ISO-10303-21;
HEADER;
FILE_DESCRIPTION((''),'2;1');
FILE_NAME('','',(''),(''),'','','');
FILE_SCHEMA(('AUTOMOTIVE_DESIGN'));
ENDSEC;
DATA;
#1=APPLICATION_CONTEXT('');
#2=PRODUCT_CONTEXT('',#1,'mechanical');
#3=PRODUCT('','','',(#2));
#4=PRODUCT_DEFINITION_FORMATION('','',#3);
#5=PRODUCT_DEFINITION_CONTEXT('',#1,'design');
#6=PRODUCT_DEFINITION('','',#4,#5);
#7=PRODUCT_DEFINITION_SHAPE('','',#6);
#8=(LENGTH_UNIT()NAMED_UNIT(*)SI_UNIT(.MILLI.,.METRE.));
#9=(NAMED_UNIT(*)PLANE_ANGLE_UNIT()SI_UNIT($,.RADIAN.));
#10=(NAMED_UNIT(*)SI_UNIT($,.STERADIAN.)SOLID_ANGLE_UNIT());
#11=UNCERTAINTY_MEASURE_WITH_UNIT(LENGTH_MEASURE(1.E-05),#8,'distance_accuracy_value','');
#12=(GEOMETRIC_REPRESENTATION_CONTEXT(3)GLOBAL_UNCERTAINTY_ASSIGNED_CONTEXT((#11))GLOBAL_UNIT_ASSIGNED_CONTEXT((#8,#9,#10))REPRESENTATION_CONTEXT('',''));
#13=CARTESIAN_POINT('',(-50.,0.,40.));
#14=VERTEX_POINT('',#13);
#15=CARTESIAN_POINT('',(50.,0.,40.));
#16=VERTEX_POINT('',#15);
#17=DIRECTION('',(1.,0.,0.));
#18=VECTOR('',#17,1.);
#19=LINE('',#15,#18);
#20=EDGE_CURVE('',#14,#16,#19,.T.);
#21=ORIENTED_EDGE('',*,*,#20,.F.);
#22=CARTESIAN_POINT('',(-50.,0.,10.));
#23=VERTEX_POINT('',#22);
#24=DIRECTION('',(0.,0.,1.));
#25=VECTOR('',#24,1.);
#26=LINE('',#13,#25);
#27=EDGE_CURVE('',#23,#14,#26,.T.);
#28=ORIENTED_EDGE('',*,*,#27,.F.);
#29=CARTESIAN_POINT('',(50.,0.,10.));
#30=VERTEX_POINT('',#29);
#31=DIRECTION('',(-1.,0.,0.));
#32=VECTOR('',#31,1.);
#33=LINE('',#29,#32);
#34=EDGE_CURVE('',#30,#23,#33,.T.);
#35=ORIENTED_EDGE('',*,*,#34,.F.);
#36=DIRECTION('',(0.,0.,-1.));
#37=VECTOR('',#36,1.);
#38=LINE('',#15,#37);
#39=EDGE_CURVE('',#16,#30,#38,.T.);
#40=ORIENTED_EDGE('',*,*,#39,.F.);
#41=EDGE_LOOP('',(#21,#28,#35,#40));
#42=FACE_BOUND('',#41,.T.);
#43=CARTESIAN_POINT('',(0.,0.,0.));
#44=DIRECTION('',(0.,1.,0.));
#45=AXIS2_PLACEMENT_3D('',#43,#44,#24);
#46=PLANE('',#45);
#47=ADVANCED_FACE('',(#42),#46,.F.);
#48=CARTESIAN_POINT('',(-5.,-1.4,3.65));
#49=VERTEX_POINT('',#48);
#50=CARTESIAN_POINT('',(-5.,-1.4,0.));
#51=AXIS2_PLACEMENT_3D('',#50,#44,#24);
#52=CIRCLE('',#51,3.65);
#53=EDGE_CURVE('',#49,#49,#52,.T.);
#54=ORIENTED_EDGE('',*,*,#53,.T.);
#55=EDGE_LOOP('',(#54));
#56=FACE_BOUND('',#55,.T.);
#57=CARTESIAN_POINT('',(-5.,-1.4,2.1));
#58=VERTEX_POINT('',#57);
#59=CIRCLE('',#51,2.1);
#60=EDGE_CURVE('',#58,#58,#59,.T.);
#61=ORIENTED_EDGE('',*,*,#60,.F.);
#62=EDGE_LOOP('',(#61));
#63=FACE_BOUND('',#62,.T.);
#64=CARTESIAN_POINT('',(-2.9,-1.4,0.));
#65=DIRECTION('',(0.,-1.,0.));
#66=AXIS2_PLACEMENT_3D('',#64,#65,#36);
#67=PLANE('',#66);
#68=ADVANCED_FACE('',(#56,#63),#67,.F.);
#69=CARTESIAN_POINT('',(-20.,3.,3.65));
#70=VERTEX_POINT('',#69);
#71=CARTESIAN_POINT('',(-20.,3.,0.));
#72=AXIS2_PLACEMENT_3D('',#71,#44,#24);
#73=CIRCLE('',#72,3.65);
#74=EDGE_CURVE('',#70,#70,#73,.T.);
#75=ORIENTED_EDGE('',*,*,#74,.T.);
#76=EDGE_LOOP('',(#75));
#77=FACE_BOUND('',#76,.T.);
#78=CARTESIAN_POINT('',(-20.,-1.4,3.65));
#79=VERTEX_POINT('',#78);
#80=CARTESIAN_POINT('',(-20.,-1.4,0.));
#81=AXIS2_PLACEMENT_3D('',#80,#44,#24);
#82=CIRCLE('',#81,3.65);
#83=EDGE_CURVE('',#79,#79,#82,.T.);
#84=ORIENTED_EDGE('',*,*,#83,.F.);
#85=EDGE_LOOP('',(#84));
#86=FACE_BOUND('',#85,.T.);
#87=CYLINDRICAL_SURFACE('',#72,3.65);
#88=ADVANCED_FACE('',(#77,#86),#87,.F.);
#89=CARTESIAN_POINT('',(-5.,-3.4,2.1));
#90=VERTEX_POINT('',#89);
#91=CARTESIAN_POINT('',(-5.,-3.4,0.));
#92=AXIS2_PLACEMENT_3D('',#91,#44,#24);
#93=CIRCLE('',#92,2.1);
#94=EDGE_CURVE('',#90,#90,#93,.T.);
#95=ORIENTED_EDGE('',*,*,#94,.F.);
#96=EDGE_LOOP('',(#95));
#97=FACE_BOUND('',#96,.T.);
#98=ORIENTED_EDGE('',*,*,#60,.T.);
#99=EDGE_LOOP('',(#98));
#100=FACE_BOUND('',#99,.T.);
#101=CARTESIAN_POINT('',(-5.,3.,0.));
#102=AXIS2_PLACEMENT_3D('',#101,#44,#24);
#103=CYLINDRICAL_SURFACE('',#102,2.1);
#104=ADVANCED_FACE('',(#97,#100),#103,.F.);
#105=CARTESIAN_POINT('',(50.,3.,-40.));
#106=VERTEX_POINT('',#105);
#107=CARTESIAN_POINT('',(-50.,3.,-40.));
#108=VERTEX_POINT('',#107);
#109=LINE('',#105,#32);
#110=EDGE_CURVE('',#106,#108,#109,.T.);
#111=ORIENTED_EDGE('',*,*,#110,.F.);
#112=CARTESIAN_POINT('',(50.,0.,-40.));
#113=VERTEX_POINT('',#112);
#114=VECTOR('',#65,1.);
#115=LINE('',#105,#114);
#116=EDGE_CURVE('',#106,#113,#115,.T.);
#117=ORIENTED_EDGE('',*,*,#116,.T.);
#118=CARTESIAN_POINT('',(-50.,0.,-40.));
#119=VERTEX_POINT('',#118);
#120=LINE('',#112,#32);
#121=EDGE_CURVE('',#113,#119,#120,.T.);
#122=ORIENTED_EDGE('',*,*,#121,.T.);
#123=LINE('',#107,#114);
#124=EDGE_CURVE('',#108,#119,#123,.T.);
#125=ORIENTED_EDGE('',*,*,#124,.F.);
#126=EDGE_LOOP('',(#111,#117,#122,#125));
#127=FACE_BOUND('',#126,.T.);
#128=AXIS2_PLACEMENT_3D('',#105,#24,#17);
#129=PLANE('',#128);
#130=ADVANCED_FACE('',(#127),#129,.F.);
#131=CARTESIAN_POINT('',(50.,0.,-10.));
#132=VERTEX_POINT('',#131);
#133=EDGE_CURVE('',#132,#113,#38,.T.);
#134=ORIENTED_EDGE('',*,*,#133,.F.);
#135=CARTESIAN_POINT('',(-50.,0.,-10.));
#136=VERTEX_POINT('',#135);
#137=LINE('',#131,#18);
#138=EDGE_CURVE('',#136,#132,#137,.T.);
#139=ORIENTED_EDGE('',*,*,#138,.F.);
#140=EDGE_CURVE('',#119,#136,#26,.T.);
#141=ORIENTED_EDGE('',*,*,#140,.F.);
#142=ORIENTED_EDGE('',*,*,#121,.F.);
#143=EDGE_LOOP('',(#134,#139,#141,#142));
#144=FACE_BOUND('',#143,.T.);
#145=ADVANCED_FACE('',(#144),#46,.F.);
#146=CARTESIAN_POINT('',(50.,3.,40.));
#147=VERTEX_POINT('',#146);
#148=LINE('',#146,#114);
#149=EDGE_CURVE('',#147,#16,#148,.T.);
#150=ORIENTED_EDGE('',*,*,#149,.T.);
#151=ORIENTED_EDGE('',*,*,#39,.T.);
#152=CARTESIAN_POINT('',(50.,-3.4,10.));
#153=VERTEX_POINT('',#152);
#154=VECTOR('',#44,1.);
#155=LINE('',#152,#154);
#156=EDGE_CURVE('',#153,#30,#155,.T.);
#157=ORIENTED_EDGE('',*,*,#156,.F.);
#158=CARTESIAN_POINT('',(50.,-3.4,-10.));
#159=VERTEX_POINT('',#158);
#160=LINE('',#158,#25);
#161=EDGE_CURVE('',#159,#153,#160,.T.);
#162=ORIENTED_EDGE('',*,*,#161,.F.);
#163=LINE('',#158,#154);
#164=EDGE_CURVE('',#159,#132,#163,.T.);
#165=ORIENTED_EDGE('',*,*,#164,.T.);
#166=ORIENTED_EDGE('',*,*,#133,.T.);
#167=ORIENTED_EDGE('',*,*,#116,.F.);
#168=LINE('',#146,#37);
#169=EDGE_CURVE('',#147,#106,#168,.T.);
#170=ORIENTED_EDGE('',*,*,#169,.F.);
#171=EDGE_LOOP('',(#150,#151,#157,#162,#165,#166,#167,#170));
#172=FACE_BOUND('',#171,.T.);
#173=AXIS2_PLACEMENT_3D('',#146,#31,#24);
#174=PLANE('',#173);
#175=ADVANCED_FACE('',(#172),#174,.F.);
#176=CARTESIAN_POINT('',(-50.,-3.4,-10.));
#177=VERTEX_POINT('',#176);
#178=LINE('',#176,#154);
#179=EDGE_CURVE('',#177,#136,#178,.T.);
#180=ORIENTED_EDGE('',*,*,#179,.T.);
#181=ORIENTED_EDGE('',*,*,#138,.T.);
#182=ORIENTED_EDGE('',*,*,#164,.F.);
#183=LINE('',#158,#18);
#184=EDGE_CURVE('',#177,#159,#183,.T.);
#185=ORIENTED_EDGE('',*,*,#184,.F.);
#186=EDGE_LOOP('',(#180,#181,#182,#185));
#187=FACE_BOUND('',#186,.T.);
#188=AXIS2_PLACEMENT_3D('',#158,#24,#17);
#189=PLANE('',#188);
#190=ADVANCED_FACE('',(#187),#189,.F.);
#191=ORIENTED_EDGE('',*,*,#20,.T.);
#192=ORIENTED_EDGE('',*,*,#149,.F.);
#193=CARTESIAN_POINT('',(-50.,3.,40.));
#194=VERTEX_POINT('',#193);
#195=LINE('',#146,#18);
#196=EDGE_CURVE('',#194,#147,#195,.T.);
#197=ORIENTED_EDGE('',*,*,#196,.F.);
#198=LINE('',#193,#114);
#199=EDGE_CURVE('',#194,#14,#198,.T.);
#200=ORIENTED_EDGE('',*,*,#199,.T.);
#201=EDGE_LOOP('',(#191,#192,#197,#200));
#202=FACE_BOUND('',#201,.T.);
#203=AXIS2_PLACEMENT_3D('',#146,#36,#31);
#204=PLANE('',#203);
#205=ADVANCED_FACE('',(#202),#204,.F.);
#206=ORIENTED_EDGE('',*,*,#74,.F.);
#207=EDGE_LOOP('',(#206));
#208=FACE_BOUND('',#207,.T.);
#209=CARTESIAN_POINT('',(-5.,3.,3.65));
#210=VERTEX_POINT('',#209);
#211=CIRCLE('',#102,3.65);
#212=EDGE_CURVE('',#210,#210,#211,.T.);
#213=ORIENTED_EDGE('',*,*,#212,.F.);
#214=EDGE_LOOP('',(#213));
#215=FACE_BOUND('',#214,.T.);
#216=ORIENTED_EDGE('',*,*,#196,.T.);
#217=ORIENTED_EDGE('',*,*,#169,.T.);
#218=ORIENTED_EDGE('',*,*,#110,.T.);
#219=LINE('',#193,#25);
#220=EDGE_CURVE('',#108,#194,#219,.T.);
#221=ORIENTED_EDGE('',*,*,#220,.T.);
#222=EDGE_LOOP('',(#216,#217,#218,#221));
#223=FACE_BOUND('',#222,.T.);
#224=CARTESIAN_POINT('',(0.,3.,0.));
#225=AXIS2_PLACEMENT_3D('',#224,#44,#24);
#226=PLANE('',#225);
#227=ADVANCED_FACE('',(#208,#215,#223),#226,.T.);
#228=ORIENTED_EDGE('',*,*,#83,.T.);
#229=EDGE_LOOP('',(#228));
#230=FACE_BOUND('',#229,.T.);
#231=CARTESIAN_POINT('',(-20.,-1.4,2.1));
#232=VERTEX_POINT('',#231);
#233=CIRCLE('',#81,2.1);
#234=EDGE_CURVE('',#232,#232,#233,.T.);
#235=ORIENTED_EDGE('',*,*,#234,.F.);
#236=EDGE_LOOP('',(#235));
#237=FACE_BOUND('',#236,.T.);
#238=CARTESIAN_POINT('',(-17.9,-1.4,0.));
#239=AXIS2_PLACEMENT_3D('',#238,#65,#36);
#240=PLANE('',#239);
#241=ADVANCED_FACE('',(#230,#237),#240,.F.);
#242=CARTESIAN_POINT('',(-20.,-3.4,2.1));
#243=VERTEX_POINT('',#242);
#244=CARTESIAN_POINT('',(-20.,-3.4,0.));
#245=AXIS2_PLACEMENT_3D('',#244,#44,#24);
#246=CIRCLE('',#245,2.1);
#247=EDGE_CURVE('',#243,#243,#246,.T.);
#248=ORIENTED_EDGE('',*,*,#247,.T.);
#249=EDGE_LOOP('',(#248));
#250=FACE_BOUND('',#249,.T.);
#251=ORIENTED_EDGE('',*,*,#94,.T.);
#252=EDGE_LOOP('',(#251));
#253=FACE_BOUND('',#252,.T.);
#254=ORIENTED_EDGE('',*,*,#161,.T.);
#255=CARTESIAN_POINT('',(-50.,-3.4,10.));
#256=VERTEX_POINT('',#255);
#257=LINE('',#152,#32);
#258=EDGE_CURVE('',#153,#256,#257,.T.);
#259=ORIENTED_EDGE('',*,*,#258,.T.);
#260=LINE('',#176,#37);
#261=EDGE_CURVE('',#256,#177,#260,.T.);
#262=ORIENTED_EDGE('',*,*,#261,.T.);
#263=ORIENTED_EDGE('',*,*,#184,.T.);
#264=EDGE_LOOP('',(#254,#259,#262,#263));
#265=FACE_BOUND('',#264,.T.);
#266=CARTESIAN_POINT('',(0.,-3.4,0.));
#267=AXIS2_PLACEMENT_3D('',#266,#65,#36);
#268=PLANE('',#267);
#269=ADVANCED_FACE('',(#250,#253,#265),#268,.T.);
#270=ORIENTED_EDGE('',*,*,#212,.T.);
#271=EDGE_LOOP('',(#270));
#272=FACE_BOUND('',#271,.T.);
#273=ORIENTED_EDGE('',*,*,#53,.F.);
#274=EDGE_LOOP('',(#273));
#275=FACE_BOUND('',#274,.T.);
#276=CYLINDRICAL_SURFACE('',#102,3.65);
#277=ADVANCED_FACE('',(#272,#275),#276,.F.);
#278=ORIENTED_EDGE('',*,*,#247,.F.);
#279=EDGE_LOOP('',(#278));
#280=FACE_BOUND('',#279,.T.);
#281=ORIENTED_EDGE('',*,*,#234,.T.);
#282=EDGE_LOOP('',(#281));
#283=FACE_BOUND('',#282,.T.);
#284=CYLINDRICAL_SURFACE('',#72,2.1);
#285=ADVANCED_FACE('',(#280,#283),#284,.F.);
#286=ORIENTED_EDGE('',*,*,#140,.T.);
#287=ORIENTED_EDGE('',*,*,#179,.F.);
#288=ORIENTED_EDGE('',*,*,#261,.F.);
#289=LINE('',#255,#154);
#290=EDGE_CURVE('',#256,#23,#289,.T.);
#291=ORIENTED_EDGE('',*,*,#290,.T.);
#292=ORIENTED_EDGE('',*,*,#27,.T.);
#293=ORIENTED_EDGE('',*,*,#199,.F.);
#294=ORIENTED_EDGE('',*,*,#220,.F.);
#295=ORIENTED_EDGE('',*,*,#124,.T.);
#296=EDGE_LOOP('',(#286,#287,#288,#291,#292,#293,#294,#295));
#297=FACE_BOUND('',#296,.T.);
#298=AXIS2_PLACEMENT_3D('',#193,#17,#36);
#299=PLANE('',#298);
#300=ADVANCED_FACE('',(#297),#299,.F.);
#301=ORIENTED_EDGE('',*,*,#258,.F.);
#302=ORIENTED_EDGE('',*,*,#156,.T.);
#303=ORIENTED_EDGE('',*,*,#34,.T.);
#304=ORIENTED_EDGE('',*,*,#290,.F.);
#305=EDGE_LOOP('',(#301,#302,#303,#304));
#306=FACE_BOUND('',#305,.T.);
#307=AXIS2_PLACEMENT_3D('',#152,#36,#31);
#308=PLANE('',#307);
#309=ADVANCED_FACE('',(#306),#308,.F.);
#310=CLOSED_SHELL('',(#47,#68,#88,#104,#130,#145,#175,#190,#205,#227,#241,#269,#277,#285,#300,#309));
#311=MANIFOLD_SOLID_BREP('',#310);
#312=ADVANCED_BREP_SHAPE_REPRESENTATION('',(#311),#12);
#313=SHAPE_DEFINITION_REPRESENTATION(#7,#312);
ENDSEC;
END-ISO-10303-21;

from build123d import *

# Parameters (mm, degrees)
SKETCH_1_W                   = 100
SKETCH_1_H                   = 80
EXTRUDE_1_DEPTH              = 3
SKETCH_2_W                   = 100
SKETCH_2_H                   = 20
EXTRUDE_2_DEPTH              = 3.4
HOLE_WIZARD_M4_1_D           = 4.2
HOLE_WIZARD_M4_1_CBORE_D     = 7.3
HOLE_WIZARD_M4_1_CBORE_DEPTH = 4.4


with BuildPart() as part:
    # 草圖1 → 填料-伸長1 (new body)
    with BuildSketch(Plane(origin=(0, 0, 0), x_dir=(1, 0, 0), z_dir=(0, 1, 0))):
        Rectangle(SKETCH_1_W, SKETCH_1_H)
    extrude(amount=EXTRUDE_1_DEPTH)

    # 草圖2 → 填料-伸長2 (add)
    with BuildSketch(Plane.XZ):
        Rectangle(SKETCH_2_W, SKETCH_2_H)
    extrude(amount=EXTRUDE_2_DEPTH)

    # M4 六角承窩頭蓋螺釘的柱孔1 (through all)
    with Locations(Plane(origin=(0, 3, 0), x_dir=(1, 0, 0), z_dir=(0, 1, 0))):
        with Locations((-20, 0), (-5, 0)):
            CounterBoreHole(HOLE_WIZARD_M4_1_D / 2, HOLE_WIZARD_M4_1_CBORE_D / 2, HOLE_WIZARD_M4_1_CBORE_DEPTH)


solid = part.part
